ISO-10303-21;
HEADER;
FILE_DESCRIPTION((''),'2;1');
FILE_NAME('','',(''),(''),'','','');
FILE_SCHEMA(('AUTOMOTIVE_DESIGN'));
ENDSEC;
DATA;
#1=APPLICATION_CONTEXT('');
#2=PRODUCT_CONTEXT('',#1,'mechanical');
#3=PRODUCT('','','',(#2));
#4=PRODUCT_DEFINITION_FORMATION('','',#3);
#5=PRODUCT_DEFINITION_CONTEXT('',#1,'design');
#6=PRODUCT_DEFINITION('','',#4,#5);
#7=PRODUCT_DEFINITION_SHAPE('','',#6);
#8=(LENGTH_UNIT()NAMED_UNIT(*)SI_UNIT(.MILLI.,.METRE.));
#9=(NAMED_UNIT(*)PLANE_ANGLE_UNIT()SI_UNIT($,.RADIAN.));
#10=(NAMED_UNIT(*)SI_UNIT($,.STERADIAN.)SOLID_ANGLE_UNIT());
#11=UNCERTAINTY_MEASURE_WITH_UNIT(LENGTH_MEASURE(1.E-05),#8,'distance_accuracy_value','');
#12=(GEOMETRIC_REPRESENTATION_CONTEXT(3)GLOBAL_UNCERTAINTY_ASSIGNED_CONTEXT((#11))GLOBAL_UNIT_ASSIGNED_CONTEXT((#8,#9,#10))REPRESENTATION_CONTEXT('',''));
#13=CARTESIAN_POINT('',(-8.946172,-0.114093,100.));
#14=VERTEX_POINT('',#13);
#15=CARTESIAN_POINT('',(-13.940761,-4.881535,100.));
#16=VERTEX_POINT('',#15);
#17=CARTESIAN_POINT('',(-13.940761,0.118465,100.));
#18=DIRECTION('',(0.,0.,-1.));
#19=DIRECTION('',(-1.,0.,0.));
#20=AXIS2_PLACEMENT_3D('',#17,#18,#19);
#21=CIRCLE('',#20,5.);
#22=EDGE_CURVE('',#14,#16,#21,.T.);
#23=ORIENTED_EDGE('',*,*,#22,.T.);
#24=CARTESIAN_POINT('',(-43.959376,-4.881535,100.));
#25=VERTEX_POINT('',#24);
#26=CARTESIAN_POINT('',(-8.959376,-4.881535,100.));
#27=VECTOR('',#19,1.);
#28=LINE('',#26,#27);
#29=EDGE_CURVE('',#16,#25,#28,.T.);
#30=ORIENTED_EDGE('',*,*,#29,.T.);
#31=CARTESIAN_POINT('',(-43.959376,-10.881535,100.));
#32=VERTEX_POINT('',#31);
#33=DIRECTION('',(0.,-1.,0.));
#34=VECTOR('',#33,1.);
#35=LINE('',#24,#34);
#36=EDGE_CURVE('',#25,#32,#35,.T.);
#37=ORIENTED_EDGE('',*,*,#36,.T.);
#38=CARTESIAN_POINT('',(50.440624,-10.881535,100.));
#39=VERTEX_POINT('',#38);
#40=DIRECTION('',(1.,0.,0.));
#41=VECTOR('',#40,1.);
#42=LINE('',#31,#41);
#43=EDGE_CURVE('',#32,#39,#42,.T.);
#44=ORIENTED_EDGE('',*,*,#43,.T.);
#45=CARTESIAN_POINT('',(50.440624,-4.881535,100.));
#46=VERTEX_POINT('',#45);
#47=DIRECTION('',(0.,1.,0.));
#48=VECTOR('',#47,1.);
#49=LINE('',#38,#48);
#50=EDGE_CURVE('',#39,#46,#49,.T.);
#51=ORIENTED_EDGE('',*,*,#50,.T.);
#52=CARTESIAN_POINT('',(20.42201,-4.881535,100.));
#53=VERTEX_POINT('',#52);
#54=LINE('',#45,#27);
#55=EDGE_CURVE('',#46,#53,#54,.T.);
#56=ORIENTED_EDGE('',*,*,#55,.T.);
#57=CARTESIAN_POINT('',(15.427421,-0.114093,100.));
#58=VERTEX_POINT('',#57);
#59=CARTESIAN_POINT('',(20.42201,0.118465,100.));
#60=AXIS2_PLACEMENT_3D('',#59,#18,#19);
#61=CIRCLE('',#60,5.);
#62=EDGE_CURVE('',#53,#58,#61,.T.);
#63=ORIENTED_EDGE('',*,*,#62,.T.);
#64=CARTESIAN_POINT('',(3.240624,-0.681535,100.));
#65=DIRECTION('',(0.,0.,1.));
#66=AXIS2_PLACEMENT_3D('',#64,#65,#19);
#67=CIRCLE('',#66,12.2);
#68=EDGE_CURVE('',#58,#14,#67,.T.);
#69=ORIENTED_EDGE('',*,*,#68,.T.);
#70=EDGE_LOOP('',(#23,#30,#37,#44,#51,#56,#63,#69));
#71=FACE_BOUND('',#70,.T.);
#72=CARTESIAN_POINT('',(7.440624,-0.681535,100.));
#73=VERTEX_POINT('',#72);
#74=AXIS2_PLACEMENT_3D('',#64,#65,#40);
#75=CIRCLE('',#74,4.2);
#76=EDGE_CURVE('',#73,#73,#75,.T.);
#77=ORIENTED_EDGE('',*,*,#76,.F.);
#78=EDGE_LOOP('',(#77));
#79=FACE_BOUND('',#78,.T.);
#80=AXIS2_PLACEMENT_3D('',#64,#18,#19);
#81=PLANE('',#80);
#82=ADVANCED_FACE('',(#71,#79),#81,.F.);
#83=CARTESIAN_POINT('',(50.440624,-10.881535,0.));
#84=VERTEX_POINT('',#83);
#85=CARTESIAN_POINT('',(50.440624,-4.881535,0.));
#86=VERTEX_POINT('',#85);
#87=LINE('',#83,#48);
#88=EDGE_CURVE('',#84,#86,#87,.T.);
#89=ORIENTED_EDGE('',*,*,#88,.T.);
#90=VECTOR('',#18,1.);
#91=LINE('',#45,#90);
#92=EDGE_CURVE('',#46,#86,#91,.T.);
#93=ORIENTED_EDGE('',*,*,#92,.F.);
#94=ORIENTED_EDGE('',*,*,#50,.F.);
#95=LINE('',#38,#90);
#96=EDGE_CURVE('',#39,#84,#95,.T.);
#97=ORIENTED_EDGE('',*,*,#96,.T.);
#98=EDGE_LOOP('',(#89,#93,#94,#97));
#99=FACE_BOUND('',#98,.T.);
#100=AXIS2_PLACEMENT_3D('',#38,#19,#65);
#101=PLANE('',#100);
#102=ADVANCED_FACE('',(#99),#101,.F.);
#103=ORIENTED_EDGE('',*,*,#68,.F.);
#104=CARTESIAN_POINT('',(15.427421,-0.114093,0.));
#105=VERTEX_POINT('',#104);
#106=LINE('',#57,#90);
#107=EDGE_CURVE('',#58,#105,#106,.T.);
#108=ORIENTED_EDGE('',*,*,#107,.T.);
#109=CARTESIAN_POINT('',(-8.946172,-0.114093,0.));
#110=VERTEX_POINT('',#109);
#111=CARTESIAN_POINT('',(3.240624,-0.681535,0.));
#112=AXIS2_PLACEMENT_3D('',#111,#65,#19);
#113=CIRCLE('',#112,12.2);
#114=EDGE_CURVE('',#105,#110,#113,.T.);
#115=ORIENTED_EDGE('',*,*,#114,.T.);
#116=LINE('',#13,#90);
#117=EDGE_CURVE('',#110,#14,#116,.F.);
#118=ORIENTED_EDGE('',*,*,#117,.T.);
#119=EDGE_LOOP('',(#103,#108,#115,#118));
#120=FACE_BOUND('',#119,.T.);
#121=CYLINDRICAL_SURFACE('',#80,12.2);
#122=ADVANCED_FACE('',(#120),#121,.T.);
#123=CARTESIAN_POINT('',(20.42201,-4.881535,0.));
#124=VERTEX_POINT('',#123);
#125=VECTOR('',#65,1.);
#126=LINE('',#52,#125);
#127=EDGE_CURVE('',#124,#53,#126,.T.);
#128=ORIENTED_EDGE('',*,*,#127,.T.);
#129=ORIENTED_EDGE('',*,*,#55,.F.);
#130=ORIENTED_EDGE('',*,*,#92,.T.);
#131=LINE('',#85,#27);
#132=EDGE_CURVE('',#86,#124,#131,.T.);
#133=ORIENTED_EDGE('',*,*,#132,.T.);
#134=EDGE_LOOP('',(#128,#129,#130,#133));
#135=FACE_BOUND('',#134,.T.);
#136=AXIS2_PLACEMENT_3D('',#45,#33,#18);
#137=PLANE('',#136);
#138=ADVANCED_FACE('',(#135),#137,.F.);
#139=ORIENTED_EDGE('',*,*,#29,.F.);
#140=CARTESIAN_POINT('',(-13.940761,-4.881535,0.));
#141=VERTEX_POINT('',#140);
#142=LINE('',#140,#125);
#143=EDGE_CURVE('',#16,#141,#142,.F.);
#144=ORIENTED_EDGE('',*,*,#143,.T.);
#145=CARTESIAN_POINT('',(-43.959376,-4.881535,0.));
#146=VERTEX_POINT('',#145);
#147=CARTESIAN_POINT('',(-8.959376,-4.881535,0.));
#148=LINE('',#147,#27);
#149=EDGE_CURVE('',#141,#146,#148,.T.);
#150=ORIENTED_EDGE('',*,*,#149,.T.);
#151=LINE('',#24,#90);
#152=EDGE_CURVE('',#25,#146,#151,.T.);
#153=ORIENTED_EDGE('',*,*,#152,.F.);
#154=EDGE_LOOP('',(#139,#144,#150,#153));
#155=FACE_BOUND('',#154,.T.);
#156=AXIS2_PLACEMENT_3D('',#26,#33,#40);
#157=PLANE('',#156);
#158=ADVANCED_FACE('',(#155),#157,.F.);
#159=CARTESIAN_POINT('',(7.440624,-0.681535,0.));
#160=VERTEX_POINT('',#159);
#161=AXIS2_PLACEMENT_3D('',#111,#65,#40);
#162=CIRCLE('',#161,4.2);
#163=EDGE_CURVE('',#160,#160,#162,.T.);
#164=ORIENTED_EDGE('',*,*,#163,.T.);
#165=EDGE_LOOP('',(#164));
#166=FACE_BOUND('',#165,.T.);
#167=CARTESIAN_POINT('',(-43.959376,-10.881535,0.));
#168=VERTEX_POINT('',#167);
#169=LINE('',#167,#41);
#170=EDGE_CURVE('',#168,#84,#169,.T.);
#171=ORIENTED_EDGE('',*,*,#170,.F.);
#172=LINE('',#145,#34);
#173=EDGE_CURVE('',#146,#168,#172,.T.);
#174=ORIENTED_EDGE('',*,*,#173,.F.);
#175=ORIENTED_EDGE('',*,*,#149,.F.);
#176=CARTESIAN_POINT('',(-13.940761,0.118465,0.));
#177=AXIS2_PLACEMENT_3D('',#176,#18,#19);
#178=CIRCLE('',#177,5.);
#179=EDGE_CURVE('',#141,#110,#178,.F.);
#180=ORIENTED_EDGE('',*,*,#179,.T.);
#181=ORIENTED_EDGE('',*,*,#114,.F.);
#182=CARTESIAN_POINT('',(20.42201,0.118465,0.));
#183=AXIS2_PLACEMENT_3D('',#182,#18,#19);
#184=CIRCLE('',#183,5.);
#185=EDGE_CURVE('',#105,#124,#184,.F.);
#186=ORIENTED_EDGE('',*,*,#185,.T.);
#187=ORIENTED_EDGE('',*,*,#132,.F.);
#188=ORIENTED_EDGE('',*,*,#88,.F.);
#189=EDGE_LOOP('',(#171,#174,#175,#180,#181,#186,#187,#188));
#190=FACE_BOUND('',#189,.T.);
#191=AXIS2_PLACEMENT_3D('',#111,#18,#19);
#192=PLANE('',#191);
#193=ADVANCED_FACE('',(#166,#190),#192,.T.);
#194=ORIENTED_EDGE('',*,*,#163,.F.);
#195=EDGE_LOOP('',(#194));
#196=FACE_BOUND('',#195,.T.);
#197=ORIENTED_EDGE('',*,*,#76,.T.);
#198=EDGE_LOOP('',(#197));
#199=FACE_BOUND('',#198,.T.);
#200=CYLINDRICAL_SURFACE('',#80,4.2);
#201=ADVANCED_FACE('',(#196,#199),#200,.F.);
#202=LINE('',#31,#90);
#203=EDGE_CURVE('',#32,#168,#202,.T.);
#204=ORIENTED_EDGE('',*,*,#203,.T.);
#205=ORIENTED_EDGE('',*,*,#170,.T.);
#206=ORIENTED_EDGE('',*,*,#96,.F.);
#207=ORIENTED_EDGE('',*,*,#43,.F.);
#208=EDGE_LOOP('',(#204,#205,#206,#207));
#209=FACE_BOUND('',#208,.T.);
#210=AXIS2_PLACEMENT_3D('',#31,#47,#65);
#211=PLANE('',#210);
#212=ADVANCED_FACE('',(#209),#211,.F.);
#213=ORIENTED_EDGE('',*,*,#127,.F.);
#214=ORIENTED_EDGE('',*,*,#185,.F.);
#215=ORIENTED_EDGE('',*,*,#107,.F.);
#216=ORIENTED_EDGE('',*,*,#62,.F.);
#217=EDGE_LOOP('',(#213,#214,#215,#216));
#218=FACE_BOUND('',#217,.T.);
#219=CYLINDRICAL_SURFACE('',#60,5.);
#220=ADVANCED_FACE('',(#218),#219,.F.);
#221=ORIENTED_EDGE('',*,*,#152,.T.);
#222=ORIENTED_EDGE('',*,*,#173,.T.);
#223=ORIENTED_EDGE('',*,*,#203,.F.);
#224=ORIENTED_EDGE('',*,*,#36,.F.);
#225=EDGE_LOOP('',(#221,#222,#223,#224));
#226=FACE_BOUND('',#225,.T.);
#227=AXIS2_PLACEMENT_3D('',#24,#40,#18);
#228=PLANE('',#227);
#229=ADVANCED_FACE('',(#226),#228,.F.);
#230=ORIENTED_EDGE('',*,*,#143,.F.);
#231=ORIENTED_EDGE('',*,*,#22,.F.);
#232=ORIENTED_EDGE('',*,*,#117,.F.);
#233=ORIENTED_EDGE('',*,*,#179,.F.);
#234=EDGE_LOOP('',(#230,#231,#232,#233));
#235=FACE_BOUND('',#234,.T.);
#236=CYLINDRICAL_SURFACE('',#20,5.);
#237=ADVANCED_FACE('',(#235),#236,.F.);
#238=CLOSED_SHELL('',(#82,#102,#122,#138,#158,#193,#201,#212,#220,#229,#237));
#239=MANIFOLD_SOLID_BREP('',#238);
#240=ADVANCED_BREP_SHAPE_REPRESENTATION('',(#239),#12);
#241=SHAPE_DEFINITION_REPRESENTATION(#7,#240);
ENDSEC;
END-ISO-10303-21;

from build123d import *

# Parameters (mm, degrees)
SKETCH2_R           = 4.2
BOSS_EXTRUDE1_DEPTH = 100
FILLET1_R           = 5


with BuildPart() as part:
    # Sketch2 → Boss-Extrude1 (new body)
    with BuildSketch(Plane.XY):
        with BuildLine():
            Line((15.440624277, -4.881535018), (15.440624277, -0.681535018))
            ThreePointArc((15.440624277, -0.681535018), (3.240624277, 11.518464982), (-8.959375723, -0.681535018))
            Line((-8.959375723, -0.681535018), (-8.959375723, -4.881535018))
            Line((-8.959375723, -4.881535018), (-43.959375723, -4.881535018))
            Line((-43.959375723, -4.881535018), (-43.959375723, -10.881535018))
            Line((-43.959375723, -10.881535018), (50.440624277, -10.881535018))
            Line((50.440624277, -10.881535018), (50.440624277, -4.881535018))
            Line((50.440624277, -4.881535018), (15.440624277, -4.881535018))
        make_face()
        with Locations((3.240624277, -0.681535018)):
            Circle(SKETCH2_R, mode=Mode.SUBTRACT)
    extrude(amount=BOSS_EXTRUDE1_DEPTH)

    # Fillet1
    fillet1_edges = [part.edges().sort_by_distance(p)[0] for p in [
        (-8.959375723, -4.881535018, 50),
        (15.440624277, -4.881535018, 50),
    ]]
    fillet(fillet1_edges, radius=FILLET1_R)


solid = part.part
